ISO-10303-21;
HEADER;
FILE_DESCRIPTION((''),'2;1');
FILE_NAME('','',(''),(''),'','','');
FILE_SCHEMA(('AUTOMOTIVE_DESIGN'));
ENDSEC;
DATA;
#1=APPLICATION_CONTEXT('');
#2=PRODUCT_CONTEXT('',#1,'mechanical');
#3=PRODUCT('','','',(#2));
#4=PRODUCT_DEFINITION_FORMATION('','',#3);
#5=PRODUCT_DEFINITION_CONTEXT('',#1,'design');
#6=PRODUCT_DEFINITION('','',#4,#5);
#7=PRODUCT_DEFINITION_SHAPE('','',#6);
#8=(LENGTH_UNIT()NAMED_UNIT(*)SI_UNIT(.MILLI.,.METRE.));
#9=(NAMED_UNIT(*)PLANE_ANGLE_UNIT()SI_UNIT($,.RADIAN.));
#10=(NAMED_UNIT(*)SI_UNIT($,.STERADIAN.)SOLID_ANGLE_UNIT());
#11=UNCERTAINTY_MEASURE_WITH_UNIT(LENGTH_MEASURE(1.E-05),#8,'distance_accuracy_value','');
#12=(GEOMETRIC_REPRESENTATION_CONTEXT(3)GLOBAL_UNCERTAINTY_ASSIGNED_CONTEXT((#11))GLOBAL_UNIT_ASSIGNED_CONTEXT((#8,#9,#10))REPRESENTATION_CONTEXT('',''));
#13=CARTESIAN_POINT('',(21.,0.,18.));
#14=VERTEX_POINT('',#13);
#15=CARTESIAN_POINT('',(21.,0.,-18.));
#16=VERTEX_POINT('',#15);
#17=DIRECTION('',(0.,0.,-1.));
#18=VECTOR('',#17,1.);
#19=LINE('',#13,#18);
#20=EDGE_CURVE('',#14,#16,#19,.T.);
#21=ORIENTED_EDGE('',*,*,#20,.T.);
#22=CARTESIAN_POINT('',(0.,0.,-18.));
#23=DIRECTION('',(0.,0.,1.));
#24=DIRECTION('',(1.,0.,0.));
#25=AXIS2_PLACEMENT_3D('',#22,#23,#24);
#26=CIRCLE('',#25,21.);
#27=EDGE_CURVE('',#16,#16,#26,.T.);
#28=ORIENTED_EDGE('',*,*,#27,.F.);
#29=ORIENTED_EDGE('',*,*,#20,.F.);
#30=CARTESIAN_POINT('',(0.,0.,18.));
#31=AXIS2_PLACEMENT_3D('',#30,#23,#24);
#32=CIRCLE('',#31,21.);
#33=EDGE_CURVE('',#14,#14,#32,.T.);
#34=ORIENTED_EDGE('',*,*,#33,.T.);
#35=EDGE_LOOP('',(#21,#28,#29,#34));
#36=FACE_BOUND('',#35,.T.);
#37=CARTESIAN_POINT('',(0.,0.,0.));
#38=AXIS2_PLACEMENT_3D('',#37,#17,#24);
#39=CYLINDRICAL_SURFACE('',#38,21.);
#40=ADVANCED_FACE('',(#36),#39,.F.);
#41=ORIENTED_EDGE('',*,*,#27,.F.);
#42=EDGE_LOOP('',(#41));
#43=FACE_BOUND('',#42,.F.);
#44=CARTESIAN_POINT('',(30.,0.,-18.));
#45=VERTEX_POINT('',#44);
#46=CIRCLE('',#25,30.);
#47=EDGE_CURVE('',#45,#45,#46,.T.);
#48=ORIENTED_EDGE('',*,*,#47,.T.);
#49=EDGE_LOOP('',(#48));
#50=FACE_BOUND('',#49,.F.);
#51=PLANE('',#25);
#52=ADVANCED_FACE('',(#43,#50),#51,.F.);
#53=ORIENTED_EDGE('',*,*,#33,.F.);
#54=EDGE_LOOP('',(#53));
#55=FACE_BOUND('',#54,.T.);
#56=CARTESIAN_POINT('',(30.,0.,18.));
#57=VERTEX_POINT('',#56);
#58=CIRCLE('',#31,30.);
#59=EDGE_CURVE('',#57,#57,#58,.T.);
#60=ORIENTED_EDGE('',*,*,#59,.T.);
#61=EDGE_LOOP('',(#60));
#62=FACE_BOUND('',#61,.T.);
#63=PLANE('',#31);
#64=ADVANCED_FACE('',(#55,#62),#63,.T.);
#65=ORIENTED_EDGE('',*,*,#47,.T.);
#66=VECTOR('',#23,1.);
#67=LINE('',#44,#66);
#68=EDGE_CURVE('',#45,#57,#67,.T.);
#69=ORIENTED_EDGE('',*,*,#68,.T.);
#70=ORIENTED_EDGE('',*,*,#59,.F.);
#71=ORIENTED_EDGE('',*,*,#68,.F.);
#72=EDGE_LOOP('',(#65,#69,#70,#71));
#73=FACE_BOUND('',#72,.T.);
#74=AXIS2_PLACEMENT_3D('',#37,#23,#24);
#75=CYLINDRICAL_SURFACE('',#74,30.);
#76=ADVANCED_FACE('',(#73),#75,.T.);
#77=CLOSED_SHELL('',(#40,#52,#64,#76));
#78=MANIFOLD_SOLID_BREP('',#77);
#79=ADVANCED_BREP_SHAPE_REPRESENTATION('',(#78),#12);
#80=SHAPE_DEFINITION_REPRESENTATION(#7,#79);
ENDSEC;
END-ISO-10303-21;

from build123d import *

# Parameters (mm, degrees)
SKETCH_1_R      = 30
SKETCH_1_R_2    = 21
EXTRUDE_1_DEPTH = 18


with BuildPart() as part:
    # 草图1 → 凸台-拉伸1 (new, symmetric)
    with BuildSketch(Plane.XY):
        Circle(SKETCH_1_R)
        Circle(SKETCH_1_R_2, mode=Mode.SUBTRACT)
    extrude(amount=EXTRUDE_1_DEPTH, both=True)


solid = part.part
